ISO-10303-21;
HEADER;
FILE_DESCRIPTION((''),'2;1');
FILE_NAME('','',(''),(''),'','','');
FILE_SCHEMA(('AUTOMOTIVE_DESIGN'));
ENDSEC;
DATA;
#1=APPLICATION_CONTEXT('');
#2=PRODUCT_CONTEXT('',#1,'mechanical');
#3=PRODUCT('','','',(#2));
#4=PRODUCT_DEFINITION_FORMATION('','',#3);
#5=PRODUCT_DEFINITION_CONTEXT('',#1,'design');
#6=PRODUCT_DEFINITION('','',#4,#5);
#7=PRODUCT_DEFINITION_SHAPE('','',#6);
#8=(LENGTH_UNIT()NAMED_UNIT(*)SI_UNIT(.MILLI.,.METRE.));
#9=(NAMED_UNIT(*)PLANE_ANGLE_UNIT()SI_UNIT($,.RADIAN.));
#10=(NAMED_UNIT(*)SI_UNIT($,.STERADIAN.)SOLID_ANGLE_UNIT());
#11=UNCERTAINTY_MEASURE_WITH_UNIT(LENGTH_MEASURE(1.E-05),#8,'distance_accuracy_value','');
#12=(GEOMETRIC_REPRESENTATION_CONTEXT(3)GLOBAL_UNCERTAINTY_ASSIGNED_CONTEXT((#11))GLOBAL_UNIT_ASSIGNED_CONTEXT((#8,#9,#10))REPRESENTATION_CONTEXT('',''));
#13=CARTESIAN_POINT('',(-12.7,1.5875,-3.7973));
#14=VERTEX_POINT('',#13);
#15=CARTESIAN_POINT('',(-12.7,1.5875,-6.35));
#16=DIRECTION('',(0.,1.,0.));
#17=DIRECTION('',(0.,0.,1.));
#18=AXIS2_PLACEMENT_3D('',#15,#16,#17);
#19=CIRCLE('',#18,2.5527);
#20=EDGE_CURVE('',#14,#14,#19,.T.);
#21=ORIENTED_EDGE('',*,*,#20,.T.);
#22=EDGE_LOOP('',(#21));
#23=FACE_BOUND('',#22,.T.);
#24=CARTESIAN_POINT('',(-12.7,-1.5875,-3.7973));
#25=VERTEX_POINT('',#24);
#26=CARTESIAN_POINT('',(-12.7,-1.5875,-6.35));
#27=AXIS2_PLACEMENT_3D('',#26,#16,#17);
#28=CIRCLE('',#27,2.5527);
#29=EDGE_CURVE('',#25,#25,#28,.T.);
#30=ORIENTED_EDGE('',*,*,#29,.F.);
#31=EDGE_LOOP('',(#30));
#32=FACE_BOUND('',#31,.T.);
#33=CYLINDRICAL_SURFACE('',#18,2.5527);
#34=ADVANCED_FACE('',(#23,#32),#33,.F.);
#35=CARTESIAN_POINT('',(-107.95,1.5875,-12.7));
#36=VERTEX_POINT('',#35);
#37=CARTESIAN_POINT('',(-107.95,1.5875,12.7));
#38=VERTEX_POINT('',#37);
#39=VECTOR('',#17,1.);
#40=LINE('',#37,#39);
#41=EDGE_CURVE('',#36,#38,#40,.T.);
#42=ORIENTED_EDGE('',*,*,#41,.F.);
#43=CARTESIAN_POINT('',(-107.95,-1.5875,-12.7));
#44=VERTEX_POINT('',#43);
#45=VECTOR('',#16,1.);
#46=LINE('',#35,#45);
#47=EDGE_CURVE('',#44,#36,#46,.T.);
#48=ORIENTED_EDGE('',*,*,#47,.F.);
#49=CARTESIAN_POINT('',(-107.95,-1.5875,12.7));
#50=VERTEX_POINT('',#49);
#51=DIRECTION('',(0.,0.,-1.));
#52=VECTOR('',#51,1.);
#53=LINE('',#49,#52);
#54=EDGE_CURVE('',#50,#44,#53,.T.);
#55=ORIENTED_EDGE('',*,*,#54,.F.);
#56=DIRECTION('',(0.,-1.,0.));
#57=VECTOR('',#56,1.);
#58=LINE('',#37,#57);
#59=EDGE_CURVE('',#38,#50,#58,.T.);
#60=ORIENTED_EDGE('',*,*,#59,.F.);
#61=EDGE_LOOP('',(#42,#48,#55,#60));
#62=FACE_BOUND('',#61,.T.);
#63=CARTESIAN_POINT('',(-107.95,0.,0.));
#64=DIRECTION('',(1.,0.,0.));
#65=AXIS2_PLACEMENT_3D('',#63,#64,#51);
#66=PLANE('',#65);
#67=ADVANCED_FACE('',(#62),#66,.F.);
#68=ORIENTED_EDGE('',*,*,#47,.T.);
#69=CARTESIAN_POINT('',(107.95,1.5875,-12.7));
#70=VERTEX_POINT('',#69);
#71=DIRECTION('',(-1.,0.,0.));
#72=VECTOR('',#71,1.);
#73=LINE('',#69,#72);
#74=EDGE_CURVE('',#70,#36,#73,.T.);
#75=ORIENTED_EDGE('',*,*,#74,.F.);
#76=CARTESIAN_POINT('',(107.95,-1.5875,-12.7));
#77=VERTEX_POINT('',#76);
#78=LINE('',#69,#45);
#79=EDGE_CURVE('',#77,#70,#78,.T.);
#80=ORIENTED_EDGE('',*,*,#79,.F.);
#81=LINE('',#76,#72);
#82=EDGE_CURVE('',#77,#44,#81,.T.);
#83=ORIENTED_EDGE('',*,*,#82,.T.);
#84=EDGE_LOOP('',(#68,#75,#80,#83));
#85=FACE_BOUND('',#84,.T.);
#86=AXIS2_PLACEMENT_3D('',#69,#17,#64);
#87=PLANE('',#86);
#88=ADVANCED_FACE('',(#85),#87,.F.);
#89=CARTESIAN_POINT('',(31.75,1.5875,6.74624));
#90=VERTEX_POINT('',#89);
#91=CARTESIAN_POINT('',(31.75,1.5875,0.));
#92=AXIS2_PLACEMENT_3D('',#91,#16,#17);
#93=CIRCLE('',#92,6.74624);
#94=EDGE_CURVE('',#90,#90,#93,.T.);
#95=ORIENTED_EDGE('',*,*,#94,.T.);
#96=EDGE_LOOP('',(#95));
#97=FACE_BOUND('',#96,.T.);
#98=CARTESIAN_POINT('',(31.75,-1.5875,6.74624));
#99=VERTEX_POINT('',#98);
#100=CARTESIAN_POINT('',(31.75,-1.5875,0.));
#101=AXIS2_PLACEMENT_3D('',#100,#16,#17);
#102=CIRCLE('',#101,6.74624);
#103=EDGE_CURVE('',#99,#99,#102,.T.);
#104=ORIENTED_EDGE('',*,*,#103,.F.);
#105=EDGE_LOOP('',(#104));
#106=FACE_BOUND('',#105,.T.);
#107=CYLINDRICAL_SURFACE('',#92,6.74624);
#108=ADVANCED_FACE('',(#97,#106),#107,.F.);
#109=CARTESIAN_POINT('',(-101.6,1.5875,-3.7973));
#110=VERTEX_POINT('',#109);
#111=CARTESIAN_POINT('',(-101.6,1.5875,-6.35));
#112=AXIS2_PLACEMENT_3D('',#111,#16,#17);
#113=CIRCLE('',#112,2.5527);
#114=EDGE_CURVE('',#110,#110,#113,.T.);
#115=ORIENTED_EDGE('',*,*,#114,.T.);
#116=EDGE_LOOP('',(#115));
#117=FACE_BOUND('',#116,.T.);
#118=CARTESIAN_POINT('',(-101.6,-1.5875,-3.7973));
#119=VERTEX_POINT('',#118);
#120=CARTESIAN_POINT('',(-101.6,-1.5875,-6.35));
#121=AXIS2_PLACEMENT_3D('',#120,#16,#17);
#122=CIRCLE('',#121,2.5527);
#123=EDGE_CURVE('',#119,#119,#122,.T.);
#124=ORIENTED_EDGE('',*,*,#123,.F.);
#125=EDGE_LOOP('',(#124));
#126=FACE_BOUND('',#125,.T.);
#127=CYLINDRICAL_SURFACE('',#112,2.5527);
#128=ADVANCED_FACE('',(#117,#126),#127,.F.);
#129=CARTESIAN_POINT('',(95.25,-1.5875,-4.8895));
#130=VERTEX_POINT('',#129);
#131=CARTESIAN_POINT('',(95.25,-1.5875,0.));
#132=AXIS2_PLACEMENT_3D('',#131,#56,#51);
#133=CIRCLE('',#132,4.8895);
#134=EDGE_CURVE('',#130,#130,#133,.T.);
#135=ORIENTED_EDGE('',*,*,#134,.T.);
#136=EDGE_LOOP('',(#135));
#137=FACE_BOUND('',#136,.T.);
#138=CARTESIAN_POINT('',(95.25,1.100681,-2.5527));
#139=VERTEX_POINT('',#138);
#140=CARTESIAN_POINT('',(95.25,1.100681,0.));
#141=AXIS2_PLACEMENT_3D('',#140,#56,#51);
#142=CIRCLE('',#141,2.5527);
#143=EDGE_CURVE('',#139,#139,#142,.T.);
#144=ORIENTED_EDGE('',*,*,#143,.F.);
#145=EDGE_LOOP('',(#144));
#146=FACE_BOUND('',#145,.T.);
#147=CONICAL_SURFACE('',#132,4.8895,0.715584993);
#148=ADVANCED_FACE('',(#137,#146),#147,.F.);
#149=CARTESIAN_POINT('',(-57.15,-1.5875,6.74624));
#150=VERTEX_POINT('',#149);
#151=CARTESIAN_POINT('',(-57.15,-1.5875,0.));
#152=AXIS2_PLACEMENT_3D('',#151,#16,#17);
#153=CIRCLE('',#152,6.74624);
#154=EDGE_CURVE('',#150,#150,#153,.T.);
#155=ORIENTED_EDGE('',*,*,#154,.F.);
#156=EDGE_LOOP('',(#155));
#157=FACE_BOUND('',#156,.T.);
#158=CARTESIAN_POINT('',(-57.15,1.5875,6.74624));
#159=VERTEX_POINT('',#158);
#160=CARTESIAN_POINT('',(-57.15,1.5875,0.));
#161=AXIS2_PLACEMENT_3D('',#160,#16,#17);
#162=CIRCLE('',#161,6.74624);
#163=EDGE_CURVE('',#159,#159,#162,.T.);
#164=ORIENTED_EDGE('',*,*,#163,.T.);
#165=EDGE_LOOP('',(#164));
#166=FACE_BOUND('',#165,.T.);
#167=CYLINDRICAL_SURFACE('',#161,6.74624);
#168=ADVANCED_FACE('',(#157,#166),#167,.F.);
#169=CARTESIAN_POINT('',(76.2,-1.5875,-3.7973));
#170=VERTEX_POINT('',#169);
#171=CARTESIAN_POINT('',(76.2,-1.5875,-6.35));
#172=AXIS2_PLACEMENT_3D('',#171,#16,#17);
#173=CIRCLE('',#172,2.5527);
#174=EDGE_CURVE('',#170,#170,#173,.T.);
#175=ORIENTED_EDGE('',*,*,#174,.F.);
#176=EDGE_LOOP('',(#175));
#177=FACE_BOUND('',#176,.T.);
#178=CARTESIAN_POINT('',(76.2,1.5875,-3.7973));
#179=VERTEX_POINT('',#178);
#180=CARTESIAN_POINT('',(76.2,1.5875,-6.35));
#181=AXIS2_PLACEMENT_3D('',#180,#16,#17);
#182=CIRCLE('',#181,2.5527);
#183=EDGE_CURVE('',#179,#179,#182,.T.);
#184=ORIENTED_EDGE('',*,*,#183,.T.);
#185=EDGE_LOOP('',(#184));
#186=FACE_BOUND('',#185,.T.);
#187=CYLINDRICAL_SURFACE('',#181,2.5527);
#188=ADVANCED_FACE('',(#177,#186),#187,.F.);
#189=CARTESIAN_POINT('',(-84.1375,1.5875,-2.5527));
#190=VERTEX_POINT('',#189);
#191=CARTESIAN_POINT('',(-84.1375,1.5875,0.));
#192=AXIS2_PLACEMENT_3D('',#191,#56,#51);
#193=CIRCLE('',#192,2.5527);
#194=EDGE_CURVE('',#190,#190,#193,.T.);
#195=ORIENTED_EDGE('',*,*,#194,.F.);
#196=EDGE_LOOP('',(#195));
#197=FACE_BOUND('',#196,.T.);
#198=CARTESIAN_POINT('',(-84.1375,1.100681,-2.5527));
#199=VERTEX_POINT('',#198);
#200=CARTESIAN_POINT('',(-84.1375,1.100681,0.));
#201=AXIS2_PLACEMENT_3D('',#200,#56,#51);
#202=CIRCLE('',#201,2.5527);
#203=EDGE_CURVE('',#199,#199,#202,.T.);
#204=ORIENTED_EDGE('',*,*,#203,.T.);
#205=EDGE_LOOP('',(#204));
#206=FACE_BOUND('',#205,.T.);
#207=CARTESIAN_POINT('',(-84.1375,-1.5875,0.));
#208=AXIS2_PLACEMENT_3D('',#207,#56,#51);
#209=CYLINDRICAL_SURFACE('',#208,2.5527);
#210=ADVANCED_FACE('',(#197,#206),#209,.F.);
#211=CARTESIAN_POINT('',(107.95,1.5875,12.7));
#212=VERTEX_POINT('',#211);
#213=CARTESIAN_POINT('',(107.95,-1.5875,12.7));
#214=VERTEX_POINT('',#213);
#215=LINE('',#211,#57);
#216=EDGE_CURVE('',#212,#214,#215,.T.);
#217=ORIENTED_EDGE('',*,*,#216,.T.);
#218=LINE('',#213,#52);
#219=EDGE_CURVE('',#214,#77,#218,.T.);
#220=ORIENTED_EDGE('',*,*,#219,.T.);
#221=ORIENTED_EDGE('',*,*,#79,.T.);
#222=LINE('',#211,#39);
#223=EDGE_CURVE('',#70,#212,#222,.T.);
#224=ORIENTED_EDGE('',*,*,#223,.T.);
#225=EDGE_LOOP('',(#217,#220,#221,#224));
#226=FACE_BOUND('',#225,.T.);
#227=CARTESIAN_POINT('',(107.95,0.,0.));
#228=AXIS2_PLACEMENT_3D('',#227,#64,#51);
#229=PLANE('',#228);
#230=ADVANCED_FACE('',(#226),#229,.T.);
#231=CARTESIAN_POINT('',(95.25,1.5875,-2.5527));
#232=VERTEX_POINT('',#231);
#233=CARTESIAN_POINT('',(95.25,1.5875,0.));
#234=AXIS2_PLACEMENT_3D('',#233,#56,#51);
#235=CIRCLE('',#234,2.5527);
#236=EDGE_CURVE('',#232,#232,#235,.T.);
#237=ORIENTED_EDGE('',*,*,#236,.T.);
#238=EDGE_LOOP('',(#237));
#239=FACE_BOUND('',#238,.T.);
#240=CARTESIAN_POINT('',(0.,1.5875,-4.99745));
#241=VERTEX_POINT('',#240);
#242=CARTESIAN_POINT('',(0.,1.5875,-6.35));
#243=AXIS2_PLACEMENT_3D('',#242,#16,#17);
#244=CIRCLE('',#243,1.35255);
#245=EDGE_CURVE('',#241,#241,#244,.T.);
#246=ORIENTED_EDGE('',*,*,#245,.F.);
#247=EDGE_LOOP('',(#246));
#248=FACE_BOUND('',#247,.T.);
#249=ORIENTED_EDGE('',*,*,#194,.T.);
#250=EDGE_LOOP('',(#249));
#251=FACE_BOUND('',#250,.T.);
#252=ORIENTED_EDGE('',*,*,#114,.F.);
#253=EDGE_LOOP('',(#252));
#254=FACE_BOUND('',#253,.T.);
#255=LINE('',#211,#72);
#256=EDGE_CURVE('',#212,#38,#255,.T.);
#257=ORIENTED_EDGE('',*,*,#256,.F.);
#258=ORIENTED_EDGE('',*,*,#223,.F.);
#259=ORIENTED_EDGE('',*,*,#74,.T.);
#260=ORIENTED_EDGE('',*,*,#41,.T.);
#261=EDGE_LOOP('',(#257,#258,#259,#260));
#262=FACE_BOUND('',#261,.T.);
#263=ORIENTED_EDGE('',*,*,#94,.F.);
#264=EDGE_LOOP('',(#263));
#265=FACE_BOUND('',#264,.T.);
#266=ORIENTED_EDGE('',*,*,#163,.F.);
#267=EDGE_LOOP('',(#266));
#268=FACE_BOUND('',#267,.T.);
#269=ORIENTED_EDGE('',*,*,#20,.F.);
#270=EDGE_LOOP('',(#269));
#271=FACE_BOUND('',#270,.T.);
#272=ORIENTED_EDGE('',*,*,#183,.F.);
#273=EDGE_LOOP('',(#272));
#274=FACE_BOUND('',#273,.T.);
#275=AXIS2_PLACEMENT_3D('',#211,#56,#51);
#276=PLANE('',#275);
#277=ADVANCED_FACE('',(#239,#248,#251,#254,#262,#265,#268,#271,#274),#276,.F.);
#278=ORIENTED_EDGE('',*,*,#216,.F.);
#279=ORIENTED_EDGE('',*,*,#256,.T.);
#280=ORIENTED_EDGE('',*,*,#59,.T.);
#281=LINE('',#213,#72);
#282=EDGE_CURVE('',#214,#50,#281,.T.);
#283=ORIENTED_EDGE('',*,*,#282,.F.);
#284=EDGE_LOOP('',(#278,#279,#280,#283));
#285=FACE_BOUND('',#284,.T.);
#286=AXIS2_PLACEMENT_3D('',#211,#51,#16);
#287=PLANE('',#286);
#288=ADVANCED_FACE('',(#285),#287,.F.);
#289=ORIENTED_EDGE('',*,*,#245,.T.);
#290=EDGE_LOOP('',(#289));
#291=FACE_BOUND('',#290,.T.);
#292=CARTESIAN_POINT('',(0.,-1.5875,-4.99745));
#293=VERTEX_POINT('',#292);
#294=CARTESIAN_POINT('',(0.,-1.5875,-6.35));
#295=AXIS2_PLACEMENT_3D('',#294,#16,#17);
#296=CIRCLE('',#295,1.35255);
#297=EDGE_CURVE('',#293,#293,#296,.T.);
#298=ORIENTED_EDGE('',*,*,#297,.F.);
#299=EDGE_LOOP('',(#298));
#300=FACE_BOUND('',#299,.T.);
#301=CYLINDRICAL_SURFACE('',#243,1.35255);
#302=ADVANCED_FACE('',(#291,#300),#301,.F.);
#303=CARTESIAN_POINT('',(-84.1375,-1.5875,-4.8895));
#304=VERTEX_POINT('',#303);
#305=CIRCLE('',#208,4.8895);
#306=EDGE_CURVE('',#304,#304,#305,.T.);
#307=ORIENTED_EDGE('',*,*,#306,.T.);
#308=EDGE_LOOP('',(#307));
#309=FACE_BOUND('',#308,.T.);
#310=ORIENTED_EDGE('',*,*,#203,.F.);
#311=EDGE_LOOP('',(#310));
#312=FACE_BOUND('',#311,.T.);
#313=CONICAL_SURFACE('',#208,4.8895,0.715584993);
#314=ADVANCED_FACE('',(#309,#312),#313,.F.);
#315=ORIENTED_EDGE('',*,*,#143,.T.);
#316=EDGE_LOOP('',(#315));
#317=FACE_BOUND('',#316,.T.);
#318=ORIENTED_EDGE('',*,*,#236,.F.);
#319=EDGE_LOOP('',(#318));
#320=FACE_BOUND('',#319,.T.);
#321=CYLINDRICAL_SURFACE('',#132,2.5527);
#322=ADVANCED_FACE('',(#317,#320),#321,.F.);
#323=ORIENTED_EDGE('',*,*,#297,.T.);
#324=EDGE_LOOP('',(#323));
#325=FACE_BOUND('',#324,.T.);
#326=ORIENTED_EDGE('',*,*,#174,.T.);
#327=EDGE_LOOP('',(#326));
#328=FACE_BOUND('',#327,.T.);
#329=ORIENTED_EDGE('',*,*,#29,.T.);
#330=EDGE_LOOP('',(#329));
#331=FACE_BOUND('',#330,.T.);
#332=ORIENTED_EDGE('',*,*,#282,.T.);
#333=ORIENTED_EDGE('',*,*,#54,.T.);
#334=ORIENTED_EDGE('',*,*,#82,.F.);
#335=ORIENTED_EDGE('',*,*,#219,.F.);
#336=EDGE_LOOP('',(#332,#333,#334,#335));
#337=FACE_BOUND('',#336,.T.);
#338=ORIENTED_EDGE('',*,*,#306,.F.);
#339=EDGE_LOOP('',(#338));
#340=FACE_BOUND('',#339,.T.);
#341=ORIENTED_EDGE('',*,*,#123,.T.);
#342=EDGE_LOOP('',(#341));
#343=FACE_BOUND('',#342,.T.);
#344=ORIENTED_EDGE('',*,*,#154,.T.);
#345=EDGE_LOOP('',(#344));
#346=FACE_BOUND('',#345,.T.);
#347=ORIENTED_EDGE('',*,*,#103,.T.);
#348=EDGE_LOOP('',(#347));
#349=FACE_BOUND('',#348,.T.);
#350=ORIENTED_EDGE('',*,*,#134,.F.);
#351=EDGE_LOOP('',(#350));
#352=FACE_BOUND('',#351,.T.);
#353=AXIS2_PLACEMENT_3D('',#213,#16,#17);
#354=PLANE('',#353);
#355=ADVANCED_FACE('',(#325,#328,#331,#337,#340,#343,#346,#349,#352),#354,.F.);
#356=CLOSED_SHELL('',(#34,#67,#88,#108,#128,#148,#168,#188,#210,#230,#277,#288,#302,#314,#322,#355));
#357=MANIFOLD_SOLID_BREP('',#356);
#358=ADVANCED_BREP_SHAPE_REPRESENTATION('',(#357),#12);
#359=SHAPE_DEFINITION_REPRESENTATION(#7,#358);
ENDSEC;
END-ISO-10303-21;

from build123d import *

# Parameters (mm, degrees)
SKETCH1_W                                    = 25.4
SKETCH1_H                                    = 3.175
BOSS_EXTRUDE1_DEPTH                          = 107.95
F_10_CLEARANCE_HOLE1_D                       = 5.1054
F_1_2_CLEARANCE_HOLE1_D                      = 13.49248
F_6_32_TAPPED_HOLE1_D                        = 2.7051
CSK_FOR_10_FLAT_HEAD_MACHINE_SCREW1_AT_COUNT = 2
CSK_FOR_10_FLAT_HEAD_MACHINE_SCREW1_AT_PITCH = 50.8
CSK_FOR_10_FLAT_HEAD_MACHINE_SCREW1_2_COUNT  = 2
CSK_FOR_10_FLAT_HEAD_MACHINE_SCREW1_2_PITCH  = 186.441720536
CSK_FOR_10_FLAT_HEAD_MACHINE_SCREW1_3_COUNT  = 2
CSK_FOR_10_FLAT_HEAD_MACHINE_SCREW1_3_PITCH  = 179.3875
CSK_FOR_10_FLAT_HEAD_MACHINE_SCREW1_4_COUNT  = 2
CSK_FOR_10_FLAT_HEAD_MACHINE_SCREW1_4_PITCH  = 331.7875
CSK_FOR_10_FLAT_HEAD_MACHINE_SCREW1_5_COUNT  = 2
CSK_FOR_10_FLAT_HEAD_MACHINE_SCREW1_5_PITCH  = 152.4
CSK_FOR_10_FLAT_HEAD_MACHINE_SCREW1_6_COUNT  = 2
CSK_FOR_10_FLAT_HEAD_MACHINE_SCREW1_6_PITCH  = 160.643705137
CSK_FOR_10_FLAT_HEAD_MACHINE_SCREW1_7_COUNT  = 2
CSK_FOR_10_FLAT_HEAD_MACHINE_SCREW1_7_PITCH  = 335.653966394


with BuildPart() as part:
    # Sketch1 → Boss-Extrude1 (new body, symmetric)
    with BuildSketch(Plane(origin=(0, 0, 0), x_dir=(0, 0, -1), z_dir=(1, 0, 0))):
        Rectangle(SKETCH1_W, SKETCH1_H)
    extrude(amount=BOSS_EXTRUDE1_DEPTH, both=True)

    # #10 Clearance Hole1 (through all)
    with Locations(Plane(origin=(0, 1.5875, 0), x_dir=(1, 0, 0), z_dir=(0, 1, 0))):
        with Locations((-101.6, 6.35), (-12.7, 6.35), (76.2, 6.35)):
            Hole(F_10_CLEARANCE_HOLE1_D / 2)

    # 1/2 Clearance Hole1 (through all)
    with Locations(Plane(origin=(0, 1.5875, 0), x_dir=(1, 0, 0), z_dir=(0, 1, 0))):
        with Locations((-57.15, 0), (31.75, 0)):
            Hole(F_1_2_CLEARANCE_HOLE1_D / 2)

    # #6-32 Tapped Hole1 (through all)
    with Locations(Plane(origin=(0, 1.5875, 0), x_dir=(1, 0, 0), z_dir=(0, 1, 0))):
        with Locations((0, 6.35)):
            Hole(F_6_32_TAPPED_HOLE1_D / 2)

    # Sketch9 → CSK for #10 Flat Head Machine Screw1 (revolve, cut)
    with BuildSketch(Plane(origin=(95.25, -1.5875, 50.8), x_dir=(0, 0, -1), z_dir=(1, 0, 0))):
        Polygon((0, 0), (0, 3.175), (2.5527, 3.175), (2.5527, 2.688180894), (4.8895, 0), align=None)
    csk_for_10_flat_head_machine_screw1 = revolve(axis=Axis((95.25, -7.9375, 50.8), (0, 1, 0)), mode=Mode.SUBTRACT)

    # CSK for #10 Flat Head Machine Screw1 at: CSK for #10 Flat Head Machine Screw1 ×2
    with Locations(*[(0, 0, -i * CSK_FOR_10_FLAT_HEAD_MACHINE_SCREW1_AT_PITCH) for i in range(1, CSK_FOR_10_FLAT_HEAD_MACHINE_SCREW1_AT_COUNT)]):
        add(csk_for_10_flat_head_machine_screw1, mode=Mode.SUBTRACT)

    # CSK for _10 Flat Head Machine Screw1 2: CSK for #10 Flat Head Machine Screw1 ×2
    with Locations(*[Vector(-0.962163938, 0, -0.272471204) * (i * CSK_FOR_10_FLAT_HEAD_MACHINE_SCREW1_2_PITCH) for i in range(1, CSK_FOR_10_FLAT_HEAD_MACHINE_SCREW1_2_COUNT)]):
        add(csk_for_10_flat_head_machine_screw1, mode=Mode.SUBTRACT)

    # CSK for _10 Flat Head Machine Screw1 3: CSK for #10 Flat Head Machine Screw1 ×2
    with Locations(*[(-i * CSK_FOR_10_FLAT_HEAD_MACHINE_SCREW1_3_PITCH, 0, 0) for i in range(1, CSK_FOR_10_FLAT_HEAD_MACHINE_SCREW1_3_COUNT)]):
        add(csk_for_10_flat_head_machine_screw1, mode=Mode.SUBTRACT)

    # CSK for _10 Flat Head Machine Screw1 4: CSK for #10 Flat Head Machine Screw1 ×2
    with Locations(*[(i * CSK_FOR_10_FLAT_HEAD_MACHINE_SCREW1_4_PITCH, 0, 0) for i in range(1, CSK_FOR_10_FLAT_HEAD_MACHINE_SCREW1_4_COUNT)]):
        add(csk_for_10_flat_head_machine_screw1, mode=Mode.SUBTRACT)

    # CSK for _10 Flat Head Machine Screw1 5: CSK for #10 Flat Head Machine Screw1 ×2
    with Locations(*[(i * CSK_FOR_10_FLAT_HEAD_MACHINE_SCREW1_5_PITCH, 0, 0) for i in range(1, CSK_FOR_10_FLAT_HEAD_MACHINE_SCREW1_5_COUNT)]):
        add(csk_for_10_flat_head_machine_screw1, mode=Mode.SUBTRACT)

    # CSK for _10 Flat Head Machine Screw1 6: CSK for #10 Flat Head Machine Screw1 ×2
    with Locations(*[Vector(0.948683298, 0, -0.316227766) * (i * CSK_FOR_10_FLAT_HEAD_MACHINE_SCREW1_6_PITCH) for i in range(1, CSK_FOR_10_FLAT_HEAD_MACHINE_SCREW1_6_COUNT)]):
        add(csk_for_10_flat_head_machine_screw1, mode=Mode.SUBTRACT)

    # CSK for _10 Flat Head Machine Screw1 7: CSK for #10 Flat Head Machine Screw1 ×2
    with Locations(*[Vector(0.988480796, 0, -0.151346342) * (i * CSK_FOR_10_FLAT_HEAD_MACHINE_SCREW1_7_PITCH) for i in range(1, CSK_FOR_10_FLAT_HEAD_MACHINE_SCREW1_7_COUNT)]):
        add(csk_for_10_flat_head_machine_screw1, mode=Mode.SUBTRACT)


solid = part.part
